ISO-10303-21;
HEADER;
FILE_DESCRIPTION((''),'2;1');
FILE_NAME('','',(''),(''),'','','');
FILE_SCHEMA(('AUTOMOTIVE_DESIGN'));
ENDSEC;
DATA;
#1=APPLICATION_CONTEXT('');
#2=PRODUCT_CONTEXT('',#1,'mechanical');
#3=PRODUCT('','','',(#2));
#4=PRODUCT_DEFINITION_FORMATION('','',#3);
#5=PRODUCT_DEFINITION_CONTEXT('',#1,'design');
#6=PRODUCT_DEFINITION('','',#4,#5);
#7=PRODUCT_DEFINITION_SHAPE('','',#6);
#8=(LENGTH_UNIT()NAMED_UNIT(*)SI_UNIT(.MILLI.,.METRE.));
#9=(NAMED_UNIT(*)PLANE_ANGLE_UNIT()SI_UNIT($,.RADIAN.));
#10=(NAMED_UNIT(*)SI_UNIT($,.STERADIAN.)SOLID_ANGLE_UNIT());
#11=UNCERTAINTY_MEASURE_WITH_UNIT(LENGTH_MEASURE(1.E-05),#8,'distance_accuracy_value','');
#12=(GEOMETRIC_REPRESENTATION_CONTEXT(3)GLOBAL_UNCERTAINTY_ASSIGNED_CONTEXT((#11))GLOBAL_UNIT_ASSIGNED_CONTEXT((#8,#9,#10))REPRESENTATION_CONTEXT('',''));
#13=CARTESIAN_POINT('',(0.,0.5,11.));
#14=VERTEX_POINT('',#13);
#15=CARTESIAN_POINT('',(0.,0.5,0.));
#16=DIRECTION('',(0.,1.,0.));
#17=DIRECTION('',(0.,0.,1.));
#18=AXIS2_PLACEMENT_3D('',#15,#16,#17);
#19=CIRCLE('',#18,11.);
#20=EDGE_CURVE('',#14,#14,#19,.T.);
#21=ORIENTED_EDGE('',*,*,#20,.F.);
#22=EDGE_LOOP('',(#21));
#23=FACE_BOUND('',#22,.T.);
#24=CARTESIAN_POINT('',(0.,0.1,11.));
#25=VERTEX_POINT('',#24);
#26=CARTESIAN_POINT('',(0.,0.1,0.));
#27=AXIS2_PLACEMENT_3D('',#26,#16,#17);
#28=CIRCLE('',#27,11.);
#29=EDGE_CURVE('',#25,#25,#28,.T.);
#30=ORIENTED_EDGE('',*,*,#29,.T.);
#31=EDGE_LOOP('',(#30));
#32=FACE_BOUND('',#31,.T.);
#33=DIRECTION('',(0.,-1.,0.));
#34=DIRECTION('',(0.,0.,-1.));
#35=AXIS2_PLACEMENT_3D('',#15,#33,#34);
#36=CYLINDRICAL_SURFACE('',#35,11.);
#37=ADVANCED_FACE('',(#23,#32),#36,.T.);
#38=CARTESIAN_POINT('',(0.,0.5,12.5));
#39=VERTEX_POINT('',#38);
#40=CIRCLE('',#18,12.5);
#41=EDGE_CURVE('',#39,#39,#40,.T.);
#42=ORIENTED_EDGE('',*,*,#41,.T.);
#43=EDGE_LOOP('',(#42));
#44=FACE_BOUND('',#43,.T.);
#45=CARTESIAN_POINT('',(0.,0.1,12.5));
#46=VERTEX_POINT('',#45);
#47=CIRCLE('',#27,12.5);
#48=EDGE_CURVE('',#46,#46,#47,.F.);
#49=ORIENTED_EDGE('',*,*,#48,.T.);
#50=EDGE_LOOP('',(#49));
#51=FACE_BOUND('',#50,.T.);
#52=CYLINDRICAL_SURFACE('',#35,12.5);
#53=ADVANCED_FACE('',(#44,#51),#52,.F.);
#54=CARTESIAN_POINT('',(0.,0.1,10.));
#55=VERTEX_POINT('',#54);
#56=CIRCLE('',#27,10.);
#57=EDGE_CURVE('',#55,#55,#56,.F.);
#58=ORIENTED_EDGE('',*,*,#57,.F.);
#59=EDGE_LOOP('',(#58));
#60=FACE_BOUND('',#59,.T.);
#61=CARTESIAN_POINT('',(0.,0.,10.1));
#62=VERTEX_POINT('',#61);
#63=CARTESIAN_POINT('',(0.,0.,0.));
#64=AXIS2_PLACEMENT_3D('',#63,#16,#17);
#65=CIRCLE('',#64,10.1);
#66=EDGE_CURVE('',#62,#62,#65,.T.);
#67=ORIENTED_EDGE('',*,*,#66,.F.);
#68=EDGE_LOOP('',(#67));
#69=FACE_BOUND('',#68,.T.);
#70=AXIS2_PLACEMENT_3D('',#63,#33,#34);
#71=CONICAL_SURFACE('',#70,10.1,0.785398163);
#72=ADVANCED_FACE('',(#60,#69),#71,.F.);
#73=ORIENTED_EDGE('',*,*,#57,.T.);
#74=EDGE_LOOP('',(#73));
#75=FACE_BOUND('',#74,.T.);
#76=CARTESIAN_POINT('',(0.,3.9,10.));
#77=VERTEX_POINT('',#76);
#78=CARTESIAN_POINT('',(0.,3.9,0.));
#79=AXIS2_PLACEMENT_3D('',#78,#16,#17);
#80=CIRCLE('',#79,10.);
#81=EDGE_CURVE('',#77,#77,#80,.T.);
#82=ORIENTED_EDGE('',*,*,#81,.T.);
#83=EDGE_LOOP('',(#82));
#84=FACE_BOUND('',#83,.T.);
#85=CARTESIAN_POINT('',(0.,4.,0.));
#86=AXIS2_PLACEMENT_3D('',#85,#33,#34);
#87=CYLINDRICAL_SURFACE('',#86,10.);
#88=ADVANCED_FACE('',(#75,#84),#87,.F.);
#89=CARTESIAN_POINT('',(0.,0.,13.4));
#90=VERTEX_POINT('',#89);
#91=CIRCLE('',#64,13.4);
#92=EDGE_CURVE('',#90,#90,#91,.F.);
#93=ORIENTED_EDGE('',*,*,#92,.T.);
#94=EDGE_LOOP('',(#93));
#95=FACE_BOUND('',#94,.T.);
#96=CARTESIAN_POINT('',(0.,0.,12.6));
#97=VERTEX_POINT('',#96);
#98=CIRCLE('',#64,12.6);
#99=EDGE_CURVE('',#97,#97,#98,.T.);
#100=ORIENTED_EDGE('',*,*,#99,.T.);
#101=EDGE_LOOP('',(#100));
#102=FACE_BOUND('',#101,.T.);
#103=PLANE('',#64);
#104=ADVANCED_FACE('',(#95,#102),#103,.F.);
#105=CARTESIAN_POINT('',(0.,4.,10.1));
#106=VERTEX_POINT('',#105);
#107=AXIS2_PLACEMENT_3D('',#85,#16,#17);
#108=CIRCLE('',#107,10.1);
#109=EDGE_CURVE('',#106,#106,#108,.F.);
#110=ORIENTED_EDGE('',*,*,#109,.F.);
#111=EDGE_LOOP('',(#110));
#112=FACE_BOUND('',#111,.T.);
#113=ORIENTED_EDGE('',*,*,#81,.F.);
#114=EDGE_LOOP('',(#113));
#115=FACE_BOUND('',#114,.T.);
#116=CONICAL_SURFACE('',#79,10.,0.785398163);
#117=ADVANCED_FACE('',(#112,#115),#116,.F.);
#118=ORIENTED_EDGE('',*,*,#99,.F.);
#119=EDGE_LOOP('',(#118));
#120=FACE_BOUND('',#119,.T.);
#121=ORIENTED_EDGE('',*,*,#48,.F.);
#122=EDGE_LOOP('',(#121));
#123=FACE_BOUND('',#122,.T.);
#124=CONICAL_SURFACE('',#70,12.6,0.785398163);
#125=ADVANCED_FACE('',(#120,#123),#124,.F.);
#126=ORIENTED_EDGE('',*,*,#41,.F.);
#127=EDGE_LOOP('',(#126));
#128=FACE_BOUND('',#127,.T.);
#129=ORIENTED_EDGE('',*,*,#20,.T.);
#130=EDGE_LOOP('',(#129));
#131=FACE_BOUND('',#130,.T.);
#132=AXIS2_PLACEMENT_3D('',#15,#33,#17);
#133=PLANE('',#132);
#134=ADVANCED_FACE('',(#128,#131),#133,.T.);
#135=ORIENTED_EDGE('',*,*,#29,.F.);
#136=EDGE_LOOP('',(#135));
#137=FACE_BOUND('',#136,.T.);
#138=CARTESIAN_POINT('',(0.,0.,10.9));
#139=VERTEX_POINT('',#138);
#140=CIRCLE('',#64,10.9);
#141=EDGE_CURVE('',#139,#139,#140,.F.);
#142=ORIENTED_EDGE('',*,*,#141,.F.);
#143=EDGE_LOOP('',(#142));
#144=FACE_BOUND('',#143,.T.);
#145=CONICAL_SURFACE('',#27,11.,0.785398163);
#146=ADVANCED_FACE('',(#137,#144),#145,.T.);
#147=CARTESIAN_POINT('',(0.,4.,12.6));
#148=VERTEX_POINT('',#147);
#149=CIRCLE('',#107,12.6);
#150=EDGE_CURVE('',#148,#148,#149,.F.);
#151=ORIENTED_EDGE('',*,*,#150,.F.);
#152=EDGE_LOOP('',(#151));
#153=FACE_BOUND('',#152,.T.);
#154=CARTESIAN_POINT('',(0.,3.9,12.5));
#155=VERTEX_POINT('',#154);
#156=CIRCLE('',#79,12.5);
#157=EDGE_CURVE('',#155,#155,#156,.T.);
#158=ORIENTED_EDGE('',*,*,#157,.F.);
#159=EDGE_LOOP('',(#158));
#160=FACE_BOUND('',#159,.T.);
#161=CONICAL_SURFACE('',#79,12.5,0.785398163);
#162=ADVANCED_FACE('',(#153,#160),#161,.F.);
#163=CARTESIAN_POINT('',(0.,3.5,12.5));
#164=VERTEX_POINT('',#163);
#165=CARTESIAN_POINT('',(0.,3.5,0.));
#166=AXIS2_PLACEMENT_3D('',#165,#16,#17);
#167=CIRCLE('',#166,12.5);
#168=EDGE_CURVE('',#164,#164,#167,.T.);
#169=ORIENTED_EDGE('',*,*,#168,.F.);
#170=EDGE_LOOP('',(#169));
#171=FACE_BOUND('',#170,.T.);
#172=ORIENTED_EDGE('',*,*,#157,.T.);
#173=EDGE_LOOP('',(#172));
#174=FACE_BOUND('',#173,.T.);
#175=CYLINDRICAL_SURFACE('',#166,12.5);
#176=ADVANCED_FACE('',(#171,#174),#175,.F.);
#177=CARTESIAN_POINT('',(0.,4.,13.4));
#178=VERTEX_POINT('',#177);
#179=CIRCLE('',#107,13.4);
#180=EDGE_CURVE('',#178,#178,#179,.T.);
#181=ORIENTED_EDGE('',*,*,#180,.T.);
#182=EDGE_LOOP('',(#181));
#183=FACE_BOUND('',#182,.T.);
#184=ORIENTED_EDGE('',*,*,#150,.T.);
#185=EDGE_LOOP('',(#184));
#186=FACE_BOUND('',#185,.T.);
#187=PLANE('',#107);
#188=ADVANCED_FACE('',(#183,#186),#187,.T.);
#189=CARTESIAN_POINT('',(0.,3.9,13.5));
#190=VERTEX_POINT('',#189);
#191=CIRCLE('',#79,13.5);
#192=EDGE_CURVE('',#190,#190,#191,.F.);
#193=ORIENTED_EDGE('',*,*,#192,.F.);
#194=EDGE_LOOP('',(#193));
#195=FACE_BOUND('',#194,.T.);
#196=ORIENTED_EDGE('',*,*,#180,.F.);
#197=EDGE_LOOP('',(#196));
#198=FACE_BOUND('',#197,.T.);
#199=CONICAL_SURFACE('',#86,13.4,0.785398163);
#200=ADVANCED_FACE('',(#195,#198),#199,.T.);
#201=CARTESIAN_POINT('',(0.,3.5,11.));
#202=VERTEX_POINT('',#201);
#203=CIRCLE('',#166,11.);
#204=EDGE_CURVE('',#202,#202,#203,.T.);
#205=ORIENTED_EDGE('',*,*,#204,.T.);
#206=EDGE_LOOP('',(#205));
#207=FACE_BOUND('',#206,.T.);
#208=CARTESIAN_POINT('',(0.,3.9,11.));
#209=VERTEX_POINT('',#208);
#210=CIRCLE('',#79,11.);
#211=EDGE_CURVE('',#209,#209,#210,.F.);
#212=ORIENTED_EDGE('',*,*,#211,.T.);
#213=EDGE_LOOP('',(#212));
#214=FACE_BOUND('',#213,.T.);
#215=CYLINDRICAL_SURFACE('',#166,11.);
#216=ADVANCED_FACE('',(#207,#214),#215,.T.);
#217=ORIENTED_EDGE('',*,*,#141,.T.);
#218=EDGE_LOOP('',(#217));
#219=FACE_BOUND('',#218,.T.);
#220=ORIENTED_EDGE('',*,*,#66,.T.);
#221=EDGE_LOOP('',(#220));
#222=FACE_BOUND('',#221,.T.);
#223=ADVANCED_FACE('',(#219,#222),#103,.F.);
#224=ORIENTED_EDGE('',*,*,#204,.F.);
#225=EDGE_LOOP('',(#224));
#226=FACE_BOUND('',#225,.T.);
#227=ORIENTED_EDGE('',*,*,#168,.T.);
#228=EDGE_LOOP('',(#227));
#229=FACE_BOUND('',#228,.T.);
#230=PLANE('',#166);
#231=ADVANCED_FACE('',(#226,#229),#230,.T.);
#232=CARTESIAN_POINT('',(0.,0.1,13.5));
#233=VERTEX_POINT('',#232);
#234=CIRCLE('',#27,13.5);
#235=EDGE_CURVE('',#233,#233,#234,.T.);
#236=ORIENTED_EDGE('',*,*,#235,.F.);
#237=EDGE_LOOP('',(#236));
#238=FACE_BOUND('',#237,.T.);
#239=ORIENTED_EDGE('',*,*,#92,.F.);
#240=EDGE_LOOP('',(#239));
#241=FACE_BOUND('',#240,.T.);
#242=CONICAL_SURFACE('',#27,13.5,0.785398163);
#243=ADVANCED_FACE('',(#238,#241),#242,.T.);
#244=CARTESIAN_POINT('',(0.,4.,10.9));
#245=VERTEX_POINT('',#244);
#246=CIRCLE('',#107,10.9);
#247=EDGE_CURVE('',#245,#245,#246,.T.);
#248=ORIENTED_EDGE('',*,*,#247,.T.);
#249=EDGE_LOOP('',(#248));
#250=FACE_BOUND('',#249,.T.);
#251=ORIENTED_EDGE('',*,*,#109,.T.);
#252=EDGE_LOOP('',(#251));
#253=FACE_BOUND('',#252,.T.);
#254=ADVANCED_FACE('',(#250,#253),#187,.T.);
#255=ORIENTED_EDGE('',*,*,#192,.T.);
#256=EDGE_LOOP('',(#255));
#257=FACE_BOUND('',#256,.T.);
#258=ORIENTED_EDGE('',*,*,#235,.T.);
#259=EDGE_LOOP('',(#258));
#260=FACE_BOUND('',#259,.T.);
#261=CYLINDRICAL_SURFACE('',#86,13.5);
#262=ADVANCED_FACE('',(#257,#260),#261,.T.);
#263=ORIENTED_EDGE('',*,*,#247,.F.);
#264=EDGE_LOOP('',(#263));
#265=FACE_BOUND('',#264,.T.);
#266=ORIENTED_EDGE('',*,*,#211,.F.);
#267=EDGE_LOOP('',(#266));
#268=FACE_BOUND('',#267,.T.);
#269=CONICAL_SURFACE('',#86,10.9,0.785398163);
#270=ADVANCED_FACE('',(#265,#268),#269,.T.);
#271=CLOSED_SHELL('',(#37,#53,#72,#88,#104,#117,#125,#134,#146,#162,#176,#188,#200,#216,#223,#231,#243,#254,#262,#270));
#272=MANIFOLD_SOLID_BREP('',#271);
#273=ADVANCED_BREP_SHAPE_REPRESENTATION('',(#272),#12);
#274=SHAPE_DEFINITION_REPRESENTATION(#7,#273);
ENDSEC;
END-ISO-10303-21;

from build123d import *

# Parameters (mm, degrees)
SKETCH_1_R          = 13.5
SKETCH_1_R_2        = 10
EXTRUDE_1_DEPTH     = 4
SKETCH_2_R          = 12.5
SKETCH_2_R_2        = 11
CUT_EXTRUDE_1_DEPTH = 0.5
CHAMFER_1_SIZE      = 0.1


with BuildPart() as part:
    # 草图1 → 凸台-拉伸1 (new body)
    with BuildSketch(Plane(origin=(0, 0, 0), x_dir=(1, 0, 0), z_dir=(0, 1, 0))):
        with Locations(Location((0, 0, 0), (0, 0, 270))):
            Circle(SKETCH_1_R)
        with Locations(Location((0, 0, 0), (0, 0, 270))):
            Circle(SKETCH_1_R_2, mode=Mode.SUBTRACT)
    extrude(amount=EXTRUDE_1_DEPTH)

    # 草图2 → 切除-拉伸1 (cut)
    with BuildSketch(Plane(origin=(0, 4, 0), x_dir=(1, 0, 0), z_dir=(0, 1, 0))):
        with Locations(Location((0, 0, 0), (0, 0, 270))):
            Circle(SKETCH_2_R)
        with Locations(Location((0, 0, 0), (0, 0, 270))):
            Circle(SKETCH_2_R_2, mode=Mode.SUBTRACT)
    cut_extrude_1 = extrude(amount=-CUT_EXTRUDE_1_DEPTH, mode=Mode.SUBTRACT)

    # 镜向1: 切除-拉伸1 across plane
    add(cut_extrude_1.mirror(Plane.ZX.offset(2)), mode=Mode.SUBTRACT)

    # 倒角1
    chamfer_1_edges = [part.edges().sort_by_distance(p)[0] for p in [
        (0, 4, -12.5),
        (0, 4, -11),
        (0, 0, -11),
        (0, 0, -12.5),
        (0, 0, -13.5),
        (0, 4, -13.5),
        (0, 0, -10),
        (0, 4, -10),
    ]]
    chamfer(chamfer_1_edges, length=CHAMFER_1_SIZE)


solid = part.part
